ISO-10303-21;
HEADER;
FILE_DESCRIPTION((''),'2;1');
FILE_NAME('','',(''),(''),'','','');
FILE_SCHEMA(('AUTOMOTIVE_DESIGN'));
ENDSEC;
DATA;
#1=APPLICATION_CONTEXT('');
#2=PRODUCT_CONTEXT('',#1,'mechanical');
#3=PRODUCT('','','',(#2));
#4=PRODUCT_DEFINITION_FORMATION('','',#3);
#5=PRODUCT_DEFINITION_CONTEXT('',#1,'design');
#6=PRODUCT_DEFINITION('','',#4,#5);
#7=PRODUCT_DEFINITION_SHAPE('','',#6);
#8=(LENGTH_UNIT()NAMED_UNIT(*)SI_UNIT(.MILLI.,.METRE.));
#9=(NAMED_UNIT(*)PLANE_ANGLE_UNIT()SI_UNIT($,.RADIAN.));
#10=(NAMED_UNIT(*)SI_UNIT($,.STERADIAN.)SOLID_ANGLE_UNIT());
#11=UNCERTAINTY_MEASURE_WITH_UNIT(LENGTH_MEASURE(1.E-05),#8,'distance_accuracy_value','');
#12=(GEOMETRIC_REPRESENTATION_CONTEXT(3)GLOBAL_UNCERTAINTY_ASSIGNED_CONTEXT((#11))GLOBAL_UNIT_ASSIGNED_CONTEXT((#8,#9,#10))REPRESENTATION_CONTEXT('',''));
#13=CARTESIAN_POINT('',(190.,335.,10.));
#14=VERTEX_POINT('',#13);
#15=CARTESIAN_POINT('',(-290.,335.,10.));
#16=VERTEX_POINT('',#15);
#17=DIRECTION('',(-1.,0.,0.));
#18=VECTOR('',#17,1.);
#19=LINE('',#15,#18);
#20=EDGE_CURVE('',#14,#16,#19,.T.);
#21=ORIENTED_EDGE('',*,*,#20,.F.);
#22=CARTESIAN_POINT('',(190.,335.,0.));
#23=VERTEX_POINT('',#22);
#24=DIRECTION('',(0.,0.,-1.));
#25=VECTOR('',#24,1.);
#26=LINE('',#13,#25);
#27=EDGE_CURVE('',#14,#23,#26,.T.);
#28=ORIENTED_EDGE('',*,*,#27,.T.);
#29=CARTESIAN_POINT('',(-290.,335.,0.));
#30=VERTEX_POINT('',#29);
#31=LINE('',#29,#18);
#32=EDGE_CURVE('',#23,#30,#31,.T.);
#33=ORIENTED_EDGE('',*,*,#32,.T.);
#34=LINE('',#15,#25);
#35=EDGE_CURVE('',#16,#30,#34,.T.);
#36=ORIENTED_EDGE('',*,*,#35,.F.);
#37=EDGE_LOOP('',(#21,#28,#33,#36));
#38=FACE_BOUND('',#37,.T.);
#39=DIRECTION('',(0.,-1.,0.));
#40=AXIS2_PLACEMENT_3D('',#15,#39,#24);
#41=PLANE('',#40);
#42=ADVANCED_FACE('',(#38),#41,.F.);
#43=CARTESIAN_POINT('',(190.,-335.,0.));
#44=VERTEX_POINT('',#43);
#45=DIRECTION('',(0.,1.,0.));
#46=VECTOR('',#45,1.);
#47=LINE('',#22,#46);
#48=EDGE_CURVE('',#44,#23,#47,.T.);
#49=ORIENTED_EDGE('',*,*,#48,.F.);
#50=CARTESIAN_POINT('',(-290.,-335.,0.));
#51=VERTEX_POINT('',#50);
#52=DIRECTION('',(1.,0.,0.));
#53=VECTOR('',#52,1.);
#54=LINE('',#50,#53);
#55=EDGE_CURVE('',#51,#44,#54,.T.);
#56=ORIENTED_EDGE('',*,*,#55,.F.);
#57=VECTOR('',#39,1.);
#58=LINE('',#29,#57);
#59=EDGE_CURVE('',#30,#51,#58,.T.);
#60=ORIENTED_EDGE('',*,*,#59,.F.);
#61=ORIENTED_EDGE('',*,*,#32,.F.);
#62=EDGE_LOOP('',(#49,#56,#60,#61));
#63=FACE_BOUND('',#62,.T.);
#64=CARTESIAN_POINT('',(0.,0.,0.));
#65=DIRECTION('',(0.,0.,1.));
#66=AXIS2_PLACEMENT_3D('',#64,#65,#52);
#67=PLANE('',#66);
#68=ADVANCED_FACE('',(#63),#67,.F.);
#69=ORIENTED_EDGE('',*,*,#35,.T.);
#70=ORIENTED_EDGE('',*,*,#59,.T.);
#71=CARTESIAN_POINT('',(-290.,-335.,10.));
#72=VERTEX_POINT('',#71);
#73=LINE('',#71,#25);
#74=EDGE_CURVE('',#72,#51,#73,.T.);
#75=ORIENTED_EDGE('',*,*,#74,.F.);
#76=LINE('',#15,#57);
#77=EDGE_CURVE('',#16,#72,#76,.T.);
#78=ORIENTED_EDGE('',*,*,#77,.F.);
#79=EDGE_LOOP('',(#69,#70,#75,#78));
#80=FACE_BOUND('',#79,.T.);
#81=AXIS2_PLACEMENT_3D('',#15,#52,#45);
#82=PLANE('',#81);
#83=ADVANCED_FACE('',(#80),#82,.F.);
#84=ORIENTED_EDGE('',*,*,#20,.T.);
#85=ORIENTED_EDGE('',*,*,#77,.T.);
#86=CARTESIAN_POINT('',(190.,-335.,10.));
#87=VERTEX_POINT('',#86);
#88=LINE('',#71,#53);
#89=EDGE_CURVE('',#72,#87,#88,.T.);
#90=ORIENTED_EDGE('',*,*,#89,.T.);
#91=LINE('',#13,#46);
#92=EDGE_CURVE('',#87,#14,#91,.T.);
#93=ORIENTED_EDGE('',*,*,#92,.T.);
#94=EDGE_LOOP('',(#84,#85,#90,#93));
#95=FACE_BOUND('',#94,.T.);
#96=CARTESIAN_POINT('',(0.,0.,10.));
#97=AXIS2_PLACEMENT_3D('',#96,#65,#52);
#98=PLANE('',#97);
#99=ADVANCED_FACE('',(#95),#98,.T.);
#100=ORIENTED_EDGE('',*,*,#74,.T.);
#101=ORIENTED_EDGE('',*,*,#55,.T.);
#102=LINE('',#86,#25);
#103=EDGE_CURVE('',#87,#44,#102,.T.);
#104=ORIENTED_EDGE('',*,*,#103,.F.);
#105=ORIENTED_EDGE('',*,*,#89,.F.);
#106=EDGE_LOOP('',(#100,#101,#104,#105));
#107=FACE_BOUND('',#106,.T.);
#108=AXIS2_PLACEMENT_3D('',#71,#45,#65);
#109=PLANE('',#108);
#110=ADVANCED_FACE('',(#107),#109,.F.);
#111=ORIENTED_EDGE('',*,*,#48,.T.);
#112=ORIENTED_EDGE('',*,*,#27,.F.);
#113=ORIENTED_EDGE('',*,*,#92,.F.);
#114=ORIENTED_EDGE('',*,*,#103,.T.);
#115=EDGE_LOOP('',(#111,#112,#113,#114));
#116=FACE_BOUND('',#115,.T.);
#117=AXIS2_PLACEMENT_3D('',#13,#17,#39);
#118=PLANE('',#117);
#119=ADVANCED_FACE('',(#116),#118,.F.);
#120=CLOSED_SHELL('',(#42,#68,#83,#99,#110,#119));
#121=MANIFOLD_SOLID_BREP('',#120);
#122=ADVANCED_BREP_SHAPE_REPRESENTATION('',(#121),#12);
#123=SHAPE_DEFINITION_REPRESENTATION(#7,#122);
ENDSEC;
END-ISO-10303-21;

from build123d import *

# Parameters (mm, degrees)
ESQUISSE1_W        = 480
ESQUISSE1_H        = 670
BOSS_EXTRU_1_DEPTH = 10


with BuildPart() as part:
    # Esquisse1 → Boss.-Extru.1 (new body)
    with BuildSketch(Plane.XY):
        with Locations((-50, 0)):
            Rectangle(ESQUISSE1_W, ESQUISSE1_H)
    extrude(amount=BOSS_EXTRU_1_DEPTH)


solid = part.part
